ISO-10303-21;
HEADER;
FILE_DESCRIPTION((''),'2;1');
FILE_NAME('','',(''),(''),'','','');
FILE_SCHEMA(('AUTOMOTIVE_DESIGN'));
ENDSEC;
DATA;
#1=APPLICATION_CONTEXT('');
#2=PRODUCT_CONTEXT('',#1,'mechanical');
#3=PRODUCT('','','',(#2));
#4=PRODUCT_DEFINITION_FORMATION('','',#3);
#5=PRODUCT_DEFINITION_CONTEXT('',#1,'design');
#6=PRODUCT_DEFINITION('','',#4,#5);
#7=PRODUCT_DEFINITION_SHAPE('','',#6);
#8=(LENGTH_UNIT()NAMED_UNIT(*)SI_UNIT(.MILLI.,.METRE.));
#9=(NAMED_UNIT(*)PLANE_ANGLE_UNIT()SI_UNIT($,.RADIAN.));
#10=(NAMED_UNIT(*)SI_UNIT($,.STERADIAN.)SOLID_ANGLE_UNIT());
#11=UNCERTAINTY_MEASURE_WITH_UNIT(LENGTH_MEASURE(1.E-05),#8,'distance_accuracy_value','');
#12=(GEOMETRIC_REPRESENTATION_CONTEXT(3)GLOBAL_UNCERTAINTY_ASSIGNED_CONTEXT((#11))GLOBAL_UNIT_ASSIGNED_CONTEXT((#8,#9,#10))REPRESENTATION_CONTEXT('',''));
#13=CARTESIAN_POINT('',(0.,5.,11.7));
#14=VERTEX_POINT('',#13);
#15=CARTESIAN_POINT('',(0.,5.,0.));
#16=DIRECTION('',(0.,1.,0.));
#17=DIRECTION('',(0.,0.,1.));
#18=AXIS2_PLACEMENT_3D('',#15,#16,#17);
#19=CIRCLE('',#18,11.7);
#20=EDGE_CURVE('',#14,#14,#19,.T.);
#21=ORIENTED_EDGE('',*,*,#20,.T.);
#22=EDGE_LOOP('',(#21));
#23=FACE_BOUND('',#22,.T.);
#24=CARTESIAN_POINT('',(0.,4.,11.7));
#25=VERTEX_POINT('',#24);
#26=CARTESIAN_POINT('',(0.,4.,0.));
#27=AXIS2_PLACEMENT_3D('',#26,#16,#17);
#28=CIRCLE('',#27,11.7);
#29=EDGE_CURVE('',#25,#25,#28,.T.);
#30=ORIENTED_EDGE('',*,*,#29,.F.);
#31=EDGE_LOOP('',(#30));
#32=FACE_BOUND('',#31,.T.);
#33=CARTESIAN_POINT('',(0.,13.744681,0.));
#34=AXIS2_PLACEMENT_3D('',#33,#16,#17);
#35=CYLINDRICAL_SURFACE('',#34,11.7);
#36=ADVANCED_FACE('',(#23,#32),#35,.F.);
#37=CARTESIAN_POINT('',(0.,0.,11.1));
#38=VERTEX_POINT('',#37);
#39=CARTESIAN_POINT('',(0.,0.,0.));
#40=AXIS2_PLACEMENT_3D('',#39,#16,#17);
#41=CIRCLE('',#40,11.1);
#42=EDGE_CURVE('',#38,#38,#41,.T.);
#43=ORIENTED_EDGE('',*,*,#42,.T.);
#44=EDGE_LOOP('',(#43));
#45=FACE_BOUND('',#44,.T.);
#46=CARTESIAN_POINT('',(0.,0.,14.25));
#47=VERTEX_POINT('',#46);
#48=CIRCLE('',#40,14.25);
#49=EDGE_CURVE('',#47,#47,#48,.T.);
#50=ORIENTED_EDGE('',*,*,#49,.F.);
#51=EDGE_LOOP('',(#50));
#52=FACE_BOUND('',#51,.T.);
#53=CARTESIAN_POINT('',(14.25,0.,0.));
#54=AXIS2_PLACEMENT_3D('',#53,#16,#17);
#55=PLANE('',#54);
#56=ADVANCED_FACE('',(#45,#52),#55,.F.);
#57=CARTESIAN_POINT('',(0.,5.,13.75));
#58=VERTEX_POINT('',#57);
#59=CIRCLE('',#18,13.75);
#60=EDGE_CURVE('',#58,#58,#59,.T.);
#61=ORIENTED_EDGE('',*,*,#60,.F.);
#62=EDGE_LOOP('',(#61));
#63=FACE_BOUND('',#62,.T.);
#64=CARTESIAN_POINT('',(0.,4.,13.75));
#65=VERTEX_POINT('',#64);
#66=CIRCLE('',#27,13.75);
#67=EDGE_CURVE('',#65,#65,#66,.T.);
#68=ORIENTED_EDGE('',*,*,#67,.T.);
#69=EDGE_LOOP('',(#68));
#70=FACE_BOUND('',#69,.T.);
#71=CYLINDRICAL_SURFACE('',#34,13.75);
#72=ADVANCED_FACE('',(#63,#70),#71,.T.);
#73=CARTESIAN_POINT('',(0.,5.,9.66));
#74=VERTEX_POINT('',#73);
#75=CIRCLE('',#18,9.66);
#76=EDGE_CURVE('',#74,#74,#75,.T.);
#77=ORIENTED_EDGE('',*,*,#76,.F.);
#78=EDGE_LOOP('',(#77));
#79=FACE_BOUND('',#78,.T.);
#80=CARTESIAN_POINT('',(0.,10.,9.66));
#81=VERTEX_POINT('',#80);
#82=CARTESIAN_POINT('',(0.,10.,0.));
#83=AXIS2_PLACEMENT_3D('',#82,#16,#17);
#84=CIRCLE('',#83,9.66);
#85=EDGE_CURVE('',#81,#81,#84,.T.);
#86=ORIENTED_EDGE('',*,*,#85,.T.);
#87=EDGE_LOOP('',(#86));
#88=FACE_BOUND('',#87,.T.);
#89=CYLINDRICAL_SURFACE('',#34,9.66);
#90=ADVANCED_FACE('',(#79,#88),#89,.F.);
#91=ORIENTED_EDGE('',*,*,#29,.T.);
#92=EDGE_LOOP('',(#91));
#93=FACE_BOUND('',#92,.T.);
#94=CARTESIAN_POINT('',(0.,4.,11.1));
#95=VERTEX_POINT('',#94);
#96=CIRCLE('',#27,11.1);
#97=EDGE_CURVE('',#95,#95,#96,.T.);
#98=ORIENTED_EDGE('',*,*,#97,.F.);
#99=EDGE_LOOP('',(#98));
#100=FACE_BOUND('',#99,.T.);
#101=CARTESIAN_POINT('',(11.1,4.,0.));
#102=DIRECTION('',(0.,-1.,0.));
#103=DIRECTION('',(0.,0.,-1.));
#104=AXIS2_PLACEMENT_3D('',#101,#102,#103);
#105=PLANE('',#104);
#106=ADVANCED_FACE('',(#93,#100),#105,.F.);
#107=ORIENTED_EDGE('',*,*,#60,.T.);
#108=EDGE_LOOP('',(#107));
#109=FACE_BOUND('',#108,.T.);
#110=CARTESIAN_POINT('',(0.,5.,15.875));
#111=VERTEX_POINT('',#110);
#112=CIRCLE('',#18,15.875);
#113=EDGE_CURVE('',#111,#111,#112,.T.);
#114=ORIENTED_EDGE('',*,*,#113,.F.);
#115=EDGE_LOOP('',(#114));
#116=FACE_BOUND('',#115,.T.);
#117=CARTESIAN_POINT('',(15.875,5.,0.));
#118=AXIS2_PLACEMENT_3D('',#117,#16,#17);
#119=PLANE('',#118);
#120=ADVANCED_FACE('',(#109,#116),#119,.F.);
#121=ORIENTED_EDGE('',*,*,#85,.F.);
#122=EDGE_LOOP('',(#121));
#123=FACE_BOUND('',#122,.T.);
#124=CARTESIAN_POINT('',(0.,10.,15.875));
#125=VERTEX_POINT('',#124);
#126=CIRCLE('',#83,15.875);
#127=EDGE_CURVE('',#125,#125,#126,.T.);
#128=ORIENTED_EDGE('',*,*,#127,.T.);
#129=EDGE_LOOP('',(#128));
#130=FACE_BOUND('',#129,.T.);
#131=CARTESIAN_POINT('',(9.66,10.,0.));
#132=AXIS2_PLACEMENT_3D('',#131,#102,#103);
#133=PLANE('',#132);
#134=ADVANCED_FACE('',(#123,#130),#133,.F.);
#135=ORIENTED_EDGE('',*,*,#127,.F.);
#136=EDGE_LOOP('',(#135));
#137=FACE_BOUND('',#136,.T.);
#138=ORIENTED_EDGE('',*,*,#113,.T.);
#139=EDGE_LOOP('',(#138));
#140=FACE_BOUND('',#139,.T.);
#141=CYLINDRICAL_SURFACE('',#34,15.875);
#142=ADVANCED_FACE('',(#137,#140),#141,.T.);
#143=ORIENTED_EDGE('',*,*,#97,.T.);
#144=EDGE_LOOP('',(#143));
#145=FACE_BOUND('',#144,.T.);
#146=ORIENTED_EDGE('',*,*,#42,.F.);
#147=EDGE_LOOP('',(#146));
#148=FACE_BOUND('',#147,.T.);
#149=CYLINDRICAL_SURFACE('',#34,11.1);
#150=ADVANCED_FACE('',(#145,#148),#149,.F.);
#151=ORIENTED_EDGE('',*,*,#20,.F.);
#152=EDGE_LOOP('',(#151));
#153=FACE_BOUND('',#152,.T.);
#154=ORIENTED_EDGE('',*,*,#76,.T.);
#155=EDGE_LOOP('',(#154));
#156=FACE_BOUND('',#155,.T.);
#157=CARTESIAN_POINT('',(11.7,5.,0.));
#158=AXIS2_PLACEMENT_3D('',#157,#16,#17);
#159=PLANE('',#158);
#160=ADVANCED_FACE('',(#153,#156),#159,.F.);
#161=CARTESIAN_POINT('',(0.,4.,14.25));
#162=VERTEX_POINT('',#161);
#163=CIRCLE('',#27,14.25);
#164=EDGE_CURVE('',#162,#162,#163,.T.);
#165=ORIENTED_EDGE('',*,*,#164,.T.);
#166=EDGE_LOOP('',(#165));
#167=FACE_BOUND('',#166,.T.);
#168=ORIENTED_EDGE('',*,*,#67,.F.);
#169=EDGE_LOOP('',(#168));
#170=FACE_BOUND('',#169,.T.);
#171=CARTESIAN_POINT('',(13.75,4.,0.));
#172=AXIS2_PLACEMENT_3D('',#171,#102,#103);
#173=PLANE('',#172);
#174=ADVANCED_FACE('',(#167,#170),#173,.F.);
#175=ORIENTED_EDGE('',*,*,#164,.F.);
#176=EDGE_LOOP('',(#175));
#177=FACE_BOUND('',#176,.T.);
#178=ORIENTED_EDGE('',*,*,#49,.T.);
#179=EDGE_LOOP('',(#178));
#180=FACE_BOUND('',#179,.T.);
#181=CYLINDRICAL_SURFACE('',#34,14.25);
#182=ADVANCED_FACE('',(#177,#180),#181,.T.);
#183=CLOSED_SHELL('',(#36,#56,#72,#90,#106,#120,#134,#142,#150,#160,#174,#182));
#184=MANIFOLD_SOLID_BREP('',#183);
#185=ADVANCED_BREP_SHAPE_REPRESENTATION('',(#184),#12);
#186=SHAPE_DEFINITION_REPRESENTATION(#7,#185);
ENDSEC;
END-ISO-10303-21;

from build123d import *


with BuildPart() as part:
    # 草图1 → 旋转1 (revolve)
    with BuildSketch(Plane.XY, mode=Mode.PRIVATE) as revolve_1_sk:
        Polygon((14.25, 0), (11.1, 0), (11.1, 4), (11.7, 4), (11.7, 5), (9.66, 5), (9.66, 10), (15.875, 10), (15.875, 5), (13.75, 5), (13.75, 4), (14.25, 4), align=None)
    revolve(revolve_1_sk.sketch.rotate(Axis((0, 13.744680851, 0), (0, -1, 0)), 90), axis=Axis((0, 13.744680851, 0), (0, -1, 0)))  # turned: the seam where the file's is


solid = part.part
